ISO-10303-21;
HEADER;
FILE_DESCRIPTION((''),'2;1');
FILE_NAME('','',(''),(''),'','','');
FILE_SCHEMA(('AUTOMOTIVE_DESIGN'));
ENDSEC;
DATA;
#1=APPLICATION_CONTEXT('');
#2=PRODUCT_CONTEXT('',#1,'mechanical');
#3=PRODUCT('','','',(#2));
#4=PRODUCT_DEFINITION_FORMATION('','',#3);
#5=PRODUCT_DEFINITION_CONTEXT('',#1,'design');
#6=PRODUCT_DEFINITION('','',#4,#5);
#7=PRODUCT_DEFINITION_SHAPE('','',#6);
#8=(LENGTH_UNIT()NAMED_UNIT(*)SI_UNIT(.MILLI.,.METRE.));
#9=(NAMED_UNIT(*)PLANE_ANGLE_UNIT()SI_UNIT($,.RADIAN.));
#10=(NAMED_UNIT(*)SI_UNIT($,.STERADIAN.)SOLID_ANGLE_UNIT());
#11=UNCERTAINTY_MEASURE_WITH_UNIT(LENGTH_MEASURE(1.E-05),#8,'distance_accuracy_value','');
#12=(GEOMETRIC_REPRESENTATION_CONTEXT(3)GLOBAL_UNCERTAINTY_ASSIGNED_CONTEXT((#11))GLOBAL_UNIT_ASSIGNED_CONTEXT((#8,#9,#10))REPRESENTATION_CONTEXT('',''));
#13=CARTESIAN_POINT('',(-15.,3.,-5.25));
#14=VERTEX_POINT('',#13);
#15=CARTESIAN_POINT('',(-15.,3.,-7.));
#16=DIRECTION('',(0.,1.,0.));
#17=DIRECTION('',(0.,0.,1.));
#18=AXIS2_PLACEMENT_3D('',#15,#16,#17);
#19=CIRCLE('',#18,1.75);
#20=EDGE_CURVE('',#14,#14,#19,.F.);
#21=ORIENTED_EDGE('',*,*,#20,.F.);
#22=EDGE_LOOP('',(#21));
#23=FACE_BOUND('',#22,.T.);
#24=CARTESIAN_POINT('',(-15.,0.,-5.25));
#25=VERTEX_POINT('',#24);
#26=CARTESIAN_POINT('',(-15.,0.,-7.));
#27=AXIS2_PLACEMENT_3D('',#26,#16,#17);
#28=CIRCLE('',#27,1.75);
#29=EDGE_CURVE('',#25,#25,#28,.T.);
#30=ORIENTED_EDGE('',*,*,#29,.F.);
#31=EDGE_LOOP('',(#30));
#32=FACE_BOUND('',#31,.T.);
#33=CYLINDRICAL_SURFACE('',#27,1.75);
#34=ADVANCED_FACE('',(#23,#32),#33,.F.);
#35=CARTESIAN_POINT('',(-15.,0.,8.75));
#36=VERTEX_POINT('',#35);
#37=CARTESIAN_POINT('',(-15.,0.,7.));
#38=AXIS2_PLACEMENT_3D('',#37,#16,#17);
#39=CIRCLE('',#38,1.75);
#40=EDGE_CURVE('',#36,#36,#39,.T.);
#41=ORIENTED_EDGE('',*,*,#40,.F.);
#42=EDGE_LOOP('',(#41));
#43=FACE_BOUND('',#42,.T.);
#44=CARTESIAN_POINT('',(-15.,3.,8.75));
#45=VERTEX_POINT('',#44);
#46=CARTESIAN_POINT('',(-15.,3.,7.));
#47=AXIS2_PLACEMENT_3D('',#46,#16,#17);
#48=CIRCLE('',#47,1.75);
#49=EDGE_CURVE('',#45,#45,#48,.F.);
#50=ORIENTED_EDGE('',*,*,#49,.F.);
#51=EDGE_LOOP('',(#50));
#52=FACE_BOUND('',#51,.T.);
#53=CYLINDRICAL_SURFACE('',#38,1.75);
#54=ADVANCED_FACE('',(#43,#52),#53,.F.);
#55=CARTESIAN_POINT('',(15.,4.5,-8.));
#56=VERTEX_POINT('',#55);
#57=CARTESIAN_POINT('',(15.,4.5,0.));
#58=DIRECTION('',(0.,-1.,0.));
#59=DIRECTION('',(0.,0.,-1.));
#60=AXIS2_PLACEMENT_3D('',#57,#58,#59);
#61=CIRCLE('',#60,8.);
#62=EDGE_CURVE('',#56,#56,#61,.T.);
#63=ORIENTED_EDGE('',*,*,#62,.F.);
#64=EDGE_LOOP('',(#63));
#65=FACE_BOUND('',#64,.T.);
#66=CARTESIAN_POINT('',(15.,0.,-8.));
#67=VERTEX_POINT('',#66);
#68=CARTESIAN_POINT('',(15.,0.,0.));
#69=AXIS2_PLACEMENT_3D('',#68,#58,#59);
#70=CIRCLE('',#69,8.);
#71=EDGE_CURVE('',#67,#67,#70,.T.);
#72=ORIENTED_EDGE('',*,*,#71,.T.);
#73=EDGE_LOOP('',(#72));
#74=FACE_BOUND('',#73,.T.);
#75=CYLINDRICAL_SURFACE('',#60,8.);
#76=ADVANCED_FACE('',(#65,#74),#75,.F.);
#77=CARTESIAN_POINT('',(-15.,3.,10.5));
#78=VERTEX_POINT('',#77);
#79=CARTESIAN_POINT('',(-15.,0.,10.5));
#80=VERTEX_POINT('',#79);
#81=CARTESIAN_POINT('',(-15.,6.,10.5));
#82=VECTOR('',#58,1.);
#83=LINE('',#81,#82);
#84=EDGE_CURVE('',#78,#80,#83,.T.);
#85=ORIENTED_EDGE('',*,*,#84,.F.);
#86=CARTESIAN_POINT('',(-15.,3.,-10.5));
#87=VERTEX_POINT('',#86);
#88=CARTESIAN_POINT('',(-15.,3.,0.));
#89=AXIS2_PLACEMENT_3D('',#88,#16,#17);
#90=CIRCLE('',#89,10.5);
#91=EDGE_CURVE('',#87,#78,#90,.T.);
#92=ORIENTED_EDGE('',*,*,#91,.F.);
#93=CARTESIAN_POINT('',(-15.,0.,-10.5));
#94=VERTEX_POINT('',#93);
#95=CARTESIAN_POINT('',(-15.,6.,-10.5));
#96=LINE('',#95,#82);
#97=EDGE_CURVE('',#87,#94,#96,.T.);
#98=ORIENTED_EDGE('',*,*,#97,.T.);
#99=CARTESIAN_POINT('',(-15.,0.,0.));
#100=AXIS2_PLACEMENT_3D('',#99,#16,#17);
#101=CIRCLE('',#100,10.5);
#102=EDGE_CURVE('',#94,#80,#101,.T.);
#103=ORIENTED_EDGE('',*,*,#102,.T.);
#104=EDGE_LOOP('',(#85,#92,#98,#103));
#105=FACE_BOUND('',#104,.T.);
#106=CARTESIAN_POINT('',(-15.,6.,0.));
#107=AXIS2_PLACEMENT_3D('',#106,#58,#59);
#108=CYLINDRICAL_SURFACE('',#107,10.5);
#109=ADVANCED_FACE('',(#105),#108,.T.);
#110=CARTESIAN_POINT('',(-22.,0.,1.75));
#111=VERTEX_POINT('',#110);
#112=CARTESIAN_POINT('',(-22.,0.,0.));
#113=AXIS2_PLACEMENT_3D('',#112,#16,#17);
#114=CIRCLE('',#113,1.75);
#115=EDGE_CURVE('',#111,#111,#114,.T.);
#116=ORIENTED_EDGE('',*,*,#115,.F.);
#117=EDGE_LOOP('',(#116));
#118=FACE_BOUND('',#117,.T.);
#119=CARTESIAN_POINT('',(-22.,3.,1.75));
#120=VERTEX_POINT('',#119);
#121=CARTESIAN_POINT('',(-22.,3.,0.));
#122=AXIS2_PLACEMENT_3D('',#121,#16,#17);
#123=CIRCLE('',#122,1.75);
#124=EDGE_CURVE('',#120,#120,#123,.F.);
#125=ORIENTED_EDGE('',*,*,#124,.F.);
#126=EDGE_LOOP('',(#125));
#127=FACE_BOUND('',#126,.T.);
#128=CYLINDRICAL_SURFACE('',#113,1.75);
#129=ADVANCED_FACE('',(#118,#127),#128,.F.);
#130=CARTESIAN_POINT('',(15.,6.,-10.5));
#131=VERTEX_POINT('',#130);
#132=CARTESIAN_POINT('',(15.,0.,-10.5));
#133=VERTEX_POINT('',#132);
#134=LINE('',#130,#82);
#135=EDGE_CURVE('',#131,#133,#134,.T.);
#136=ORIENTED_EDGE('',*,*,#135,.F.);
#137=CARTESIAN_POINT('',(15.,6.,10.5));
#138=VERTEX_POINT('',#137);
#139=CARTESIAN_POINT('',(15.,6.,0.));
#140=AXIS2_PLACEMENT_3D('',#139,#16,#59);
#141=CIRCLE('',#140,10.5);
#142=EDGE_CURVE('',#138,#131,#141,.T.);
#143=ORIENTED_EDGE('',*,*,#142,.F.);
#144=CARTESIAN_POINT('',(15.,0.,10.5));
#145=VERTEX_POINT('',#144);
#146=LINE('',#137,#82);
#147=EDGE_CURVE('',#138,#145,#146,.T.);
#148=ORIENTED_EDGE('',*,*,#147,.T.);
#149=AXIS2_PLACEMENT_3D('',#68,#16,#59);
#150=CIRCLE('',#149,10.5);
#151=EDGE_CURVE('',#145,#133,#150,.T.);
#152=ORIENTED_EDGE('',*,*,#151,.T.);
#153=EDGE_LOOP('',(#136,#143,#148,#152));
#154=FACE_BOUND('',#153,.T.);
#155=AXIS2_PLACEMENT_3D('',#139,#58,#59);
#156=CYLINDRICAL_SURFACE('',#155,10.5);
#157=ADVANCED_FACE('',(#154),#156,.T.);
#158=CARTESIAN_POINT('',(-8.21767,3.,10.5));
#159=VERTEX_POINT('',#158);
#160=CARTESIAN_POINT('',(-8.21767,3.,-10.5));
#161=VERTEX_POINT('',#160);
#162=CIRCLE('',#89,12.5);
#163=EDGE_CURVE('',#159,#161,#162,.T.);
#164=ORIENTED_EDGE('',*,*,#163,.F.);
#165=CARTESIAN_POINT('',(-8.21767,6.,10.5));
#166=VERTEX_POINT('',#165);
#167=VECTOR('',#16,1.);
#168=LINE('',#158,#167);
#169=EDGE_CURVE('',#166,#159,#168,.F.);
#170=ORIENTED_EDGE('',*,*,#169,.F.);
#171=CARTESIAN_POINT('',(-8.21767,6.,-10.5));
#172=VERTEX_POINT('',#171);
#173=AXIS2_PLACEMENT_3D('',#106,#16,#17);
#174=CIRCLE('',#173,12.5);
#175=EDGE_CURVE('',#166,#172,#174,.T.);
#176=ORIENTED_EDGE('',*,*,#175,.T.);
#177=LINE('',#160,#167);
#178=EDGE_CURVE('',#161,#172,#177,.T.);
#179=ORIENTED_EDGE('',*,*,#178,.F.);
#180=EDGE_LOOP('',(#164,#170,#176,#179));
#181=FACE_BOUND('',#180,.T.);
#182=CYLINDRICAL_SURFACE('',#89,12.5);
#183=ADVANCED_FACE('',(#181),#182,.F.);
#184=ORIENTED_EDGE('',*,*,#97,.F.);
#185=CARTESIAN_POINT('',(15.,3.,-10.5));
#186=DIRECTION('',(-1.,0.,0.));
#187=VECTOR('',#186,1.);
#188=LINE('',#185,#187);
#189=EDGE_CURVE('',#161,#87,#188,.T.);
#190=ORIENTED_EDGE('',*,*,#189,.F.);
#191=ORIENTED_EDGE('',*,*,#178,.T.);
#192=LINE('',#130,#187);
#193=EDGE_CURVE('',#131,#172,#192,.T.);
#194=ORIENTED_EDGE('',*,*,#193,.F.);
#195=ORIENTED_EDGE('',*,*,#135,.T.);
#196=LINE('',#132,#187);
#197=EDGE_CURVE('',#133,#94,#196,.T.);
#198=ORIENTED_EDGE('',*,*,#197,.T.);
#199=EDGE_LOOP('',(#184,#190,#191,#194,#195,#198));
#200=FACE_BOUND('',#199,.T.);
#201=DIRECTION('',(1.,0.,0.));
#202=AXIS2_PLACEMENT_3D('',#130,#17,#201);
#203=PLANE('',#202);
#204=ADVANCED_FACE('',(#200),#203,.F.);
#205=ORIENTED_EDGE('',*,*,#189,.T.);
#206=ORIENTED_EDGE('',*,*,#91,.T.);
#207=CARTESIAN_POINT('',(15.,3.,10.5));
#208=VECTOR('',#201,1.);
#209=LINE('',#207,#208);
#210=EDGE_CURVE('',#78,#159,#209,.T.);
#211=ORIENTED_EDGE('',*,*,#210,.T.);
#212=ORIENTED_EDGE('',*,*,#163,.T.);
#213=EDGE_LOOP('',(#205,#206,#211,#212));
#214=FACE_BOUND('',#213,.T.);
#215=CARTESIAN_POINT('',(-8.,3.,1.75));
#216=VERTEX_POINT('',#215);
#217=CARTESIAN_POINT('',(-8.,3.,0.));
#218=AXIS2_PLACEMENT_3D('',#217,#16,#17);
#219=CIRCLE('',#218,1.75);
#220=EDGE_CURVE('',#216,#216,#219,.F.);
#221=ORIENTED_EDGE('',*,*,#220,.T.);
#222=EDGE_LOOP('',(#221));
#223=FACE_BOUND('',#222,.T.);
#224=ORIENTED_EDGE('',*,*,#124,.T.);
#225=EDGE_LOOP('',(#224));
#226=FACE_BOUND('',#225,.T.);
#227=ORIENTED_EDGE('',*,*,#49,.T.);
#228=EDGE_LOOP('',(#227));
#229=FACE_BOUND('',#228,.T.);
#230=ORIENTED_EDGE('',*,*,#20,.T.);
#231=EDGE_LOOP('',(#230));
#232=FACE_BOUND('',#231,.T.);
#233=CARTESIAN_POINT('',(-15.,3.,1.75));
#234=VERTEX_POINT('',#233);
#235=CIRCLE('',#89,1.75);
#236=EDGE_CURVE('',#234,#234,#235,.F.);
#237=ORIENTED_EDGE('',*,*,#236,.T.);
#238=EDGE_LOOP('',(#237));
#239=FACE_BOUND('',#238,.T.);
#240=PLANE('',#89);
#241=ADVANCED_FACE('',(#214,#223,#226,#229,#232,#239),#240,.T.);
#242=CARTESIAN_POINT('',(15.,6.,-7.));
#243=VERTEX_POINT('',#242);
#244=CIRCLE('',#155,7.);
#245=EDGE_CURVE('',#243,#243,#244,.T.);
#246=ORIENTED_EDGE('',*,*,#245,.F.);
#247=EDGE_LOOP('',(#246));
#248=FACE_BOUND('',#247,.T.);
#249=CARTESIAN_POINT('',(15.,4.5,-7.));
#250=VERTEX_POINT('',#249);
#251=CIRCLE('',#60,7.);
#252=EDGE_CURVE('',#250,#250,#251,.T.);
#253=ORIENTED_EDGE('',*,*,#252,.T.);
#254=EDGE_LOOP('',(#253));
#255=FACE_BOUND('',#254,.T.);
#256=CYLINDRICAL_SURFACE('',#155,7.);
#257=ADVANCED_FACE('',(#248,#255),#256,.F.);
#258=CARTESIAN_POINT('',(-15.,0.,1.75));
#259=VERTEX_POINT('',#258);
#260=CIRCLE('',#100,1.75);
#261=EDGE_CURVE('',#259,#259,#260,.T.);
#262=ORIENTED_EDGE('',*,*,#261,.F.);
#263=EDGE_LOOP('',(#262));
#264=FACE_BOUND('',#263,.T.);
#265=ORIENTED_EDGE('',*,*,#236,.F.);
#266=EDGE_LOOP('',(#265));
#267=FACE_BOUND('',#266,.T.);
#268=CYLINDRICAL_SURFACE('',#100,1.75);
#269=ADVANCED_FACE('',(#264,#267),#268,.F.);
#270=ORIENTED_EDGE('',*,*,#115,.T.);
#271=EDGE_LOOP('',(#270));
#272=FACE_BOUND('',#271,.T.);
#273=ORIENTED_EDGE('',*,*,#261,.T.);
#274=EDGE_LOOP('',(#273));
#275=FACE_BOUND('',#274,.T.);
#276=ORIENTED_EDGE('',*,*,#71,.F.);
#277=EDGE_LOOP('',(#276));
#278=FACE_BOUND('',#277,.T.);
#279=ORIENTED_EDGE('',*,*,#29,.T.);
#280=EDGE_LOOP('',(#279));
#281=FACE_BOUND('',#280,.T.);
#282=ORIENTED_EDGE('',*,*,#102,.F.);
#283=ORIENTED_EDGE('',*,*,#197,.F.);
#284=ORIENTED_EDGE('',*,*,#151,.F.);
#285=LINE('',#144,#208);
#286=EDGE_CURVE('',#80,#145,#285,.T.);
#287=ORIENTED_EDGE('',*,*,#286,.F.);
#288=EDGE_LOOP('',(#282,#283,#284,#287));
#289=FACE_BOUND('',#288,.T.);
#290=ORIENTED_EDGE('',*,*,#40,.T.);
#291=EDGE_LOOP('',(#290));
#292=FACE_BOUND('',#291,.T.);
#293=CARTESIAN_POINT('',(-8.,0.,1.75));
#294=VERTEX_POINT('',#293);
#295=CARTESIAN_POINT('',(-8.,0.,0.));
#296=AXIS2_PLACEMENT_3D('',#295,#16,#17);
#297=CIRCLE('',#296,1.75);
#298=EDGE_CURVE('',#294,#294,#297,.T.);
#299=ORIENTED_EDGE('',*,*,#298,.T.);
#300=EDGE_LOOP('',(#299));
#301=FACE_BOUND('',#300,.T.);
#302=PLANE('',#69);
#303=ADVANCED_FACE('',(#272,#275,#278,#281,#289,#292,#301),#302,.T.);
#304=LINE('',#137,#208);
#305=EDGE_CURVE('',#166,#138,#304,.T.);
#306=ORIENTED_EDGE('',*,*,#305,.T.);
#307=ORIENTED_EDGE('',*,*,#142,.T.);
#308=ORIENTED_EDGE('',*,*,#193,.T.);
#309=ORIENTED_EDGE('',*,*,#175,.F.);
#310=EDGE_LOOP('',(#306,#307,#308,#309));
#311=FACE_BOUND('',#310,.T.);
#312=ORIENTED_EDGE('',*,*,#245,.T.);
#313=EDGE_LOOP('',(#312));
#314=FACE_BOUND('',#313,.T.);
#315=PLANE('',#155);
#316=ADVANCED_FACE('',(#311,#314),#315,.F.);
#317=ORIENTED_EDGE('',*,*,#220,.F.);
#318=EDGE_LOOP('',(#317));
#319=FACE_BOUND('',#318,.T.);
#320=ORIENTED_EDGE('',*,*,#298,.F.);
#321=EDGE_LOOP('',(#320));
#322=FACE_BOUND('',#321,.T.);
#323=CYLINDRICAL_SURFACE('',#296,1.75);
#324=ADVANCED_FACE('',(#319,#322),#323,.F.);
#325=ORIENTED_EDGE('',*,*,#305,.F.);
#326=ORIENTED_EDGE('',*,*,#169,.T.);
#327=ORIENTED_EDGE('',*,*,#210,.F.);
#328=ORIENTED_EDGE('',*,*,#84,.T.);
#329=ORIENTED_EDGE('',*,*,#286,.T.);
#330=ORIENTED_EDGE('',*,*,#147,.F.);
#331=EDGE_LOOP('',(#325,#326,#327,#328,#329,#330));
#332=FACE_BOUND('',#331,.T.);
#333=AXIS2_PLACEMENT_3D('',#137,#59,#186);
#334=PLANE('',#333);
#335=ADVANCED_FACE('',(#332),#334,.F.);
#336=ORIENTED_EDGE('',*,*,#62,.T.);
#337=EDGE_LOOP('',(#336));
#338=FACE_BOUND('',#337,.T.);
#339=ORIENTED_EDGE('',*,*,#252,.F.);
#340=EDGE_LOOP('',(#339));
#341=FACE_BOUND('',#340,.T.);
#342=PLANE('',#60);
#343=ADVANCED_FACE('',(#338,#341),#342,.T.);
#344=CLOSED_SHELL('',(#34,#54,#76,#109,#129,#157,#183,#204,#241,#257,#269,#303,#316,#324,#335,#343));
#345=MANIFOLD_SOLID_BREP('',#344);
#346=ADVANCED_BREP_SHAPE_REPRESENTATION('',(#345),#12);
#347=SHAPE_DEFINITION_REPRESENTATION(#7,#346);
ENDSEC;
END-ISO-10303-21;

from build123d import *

# Parameters (mm, degrees)
BOSS_EXTRUDE1_DEPTH     = 6
SKETCH4_R               = 1.75
SERVO_HORN_HOLES_DEPTH  = 29.222331583
SKETCH5_R               = 8
BEARING_PRESS_FIT_DEPTH = 4.5
SKETCH7_R               = 12.5
CUT_EXTRUDE1_DEPTH      = 3
SKETCH8_R               = 7
CUT_EXTRUDE2_DEPTH      = 28.941904015


with BuildPart() as part:
    # Sketch2 → Boss-Extrude1 (new body)
    with BuildSketch(Plane(origin=(0, 0, 0), x_dir=(1, 0, 0), z_dir=(0, 1, 0))):
        with BuildLine():
            Line((15, 10.5), (-15, 10.5))
            ThreePointArc((-15, 10.5), (-25.5, 0), (-15, -10.5))
            Line((-15, -10.5), (15, -10.5))
            ThreePointArc((15, -10.5), (25.5, 0), (15, 10.5))
        make_face()
    extrude(amount=BOSS_EXTRUDE1_DEPTH)

    # Sketch4 → Servo horn holes (cut, through all)
    with BuildSketch(Plane(origin=(0, 6, 0), x_dir=(1, 0, 0), z_dir=(0, 1, 0))):
        with Locations(Location((-15, 0, 0), (0, 0, 270))):
            Circle(SKETCH4_R)
        with Locations(Location((-8, 0, 0), (0, 0, 270))):
            Circle(SKETCH4_R)
        with Locations(Location((-15, -7, 0), (0, 0, 270))):
            Circle(SKETCH4_R)
        with Locations(Location((-22, 0, 0), (0, 0, 270))):
            Circle(SKETCH4_R)
        with Locations(Location((-15, 7, 0), (0, 0, 270))):
            Circle(SKETCH4_R)
    extrude(amount=-SERVO_HORN_HOLES_DEPTH, mode=Mode.SUBTRACT)

    # Sketch5 → Bearing press fit (cut)
    with BuildSketch(Plane(origin=(0, 0, 0), x_dir=(-1, 0, 0), z_dir=(0, -1, 0))):
        with Locations(Location((-15, 0, 0), (0, 0, 90))):
            Circle(SKETCH5_R)
    extrude(amount=-BEARING_PRESS_FIT_DEPTH, mode=Mode.SUBTRACT)

    # Sketch7 → Cut-Extrude1 (cut)
    with BuildSketch(Plane(origin=(0, 6, 0), x_dir=(1, 0, 0), z_dir=(0, 1, 0))):
        with Locations((-15, 0)):
            Circle(SKETCH7_R)
    extrude(amount=-CUT_EXTRUDE1_DEPTH, mode=Mode.SUBTRACT)

    # Sketch8 → Cut-Extrude2 (cut, through all)
    with BuildSketch(Plane.XZ.offset(-4.5)):
        with Locations(Location((15, 0, 0), (0, 0, 270))):
            Circle(SKETCH8_R)
    extrude(amount=-CUT_EXTRUDE2_DEPTH, mode=Mode.SUBTRACT)


solid = part.part
